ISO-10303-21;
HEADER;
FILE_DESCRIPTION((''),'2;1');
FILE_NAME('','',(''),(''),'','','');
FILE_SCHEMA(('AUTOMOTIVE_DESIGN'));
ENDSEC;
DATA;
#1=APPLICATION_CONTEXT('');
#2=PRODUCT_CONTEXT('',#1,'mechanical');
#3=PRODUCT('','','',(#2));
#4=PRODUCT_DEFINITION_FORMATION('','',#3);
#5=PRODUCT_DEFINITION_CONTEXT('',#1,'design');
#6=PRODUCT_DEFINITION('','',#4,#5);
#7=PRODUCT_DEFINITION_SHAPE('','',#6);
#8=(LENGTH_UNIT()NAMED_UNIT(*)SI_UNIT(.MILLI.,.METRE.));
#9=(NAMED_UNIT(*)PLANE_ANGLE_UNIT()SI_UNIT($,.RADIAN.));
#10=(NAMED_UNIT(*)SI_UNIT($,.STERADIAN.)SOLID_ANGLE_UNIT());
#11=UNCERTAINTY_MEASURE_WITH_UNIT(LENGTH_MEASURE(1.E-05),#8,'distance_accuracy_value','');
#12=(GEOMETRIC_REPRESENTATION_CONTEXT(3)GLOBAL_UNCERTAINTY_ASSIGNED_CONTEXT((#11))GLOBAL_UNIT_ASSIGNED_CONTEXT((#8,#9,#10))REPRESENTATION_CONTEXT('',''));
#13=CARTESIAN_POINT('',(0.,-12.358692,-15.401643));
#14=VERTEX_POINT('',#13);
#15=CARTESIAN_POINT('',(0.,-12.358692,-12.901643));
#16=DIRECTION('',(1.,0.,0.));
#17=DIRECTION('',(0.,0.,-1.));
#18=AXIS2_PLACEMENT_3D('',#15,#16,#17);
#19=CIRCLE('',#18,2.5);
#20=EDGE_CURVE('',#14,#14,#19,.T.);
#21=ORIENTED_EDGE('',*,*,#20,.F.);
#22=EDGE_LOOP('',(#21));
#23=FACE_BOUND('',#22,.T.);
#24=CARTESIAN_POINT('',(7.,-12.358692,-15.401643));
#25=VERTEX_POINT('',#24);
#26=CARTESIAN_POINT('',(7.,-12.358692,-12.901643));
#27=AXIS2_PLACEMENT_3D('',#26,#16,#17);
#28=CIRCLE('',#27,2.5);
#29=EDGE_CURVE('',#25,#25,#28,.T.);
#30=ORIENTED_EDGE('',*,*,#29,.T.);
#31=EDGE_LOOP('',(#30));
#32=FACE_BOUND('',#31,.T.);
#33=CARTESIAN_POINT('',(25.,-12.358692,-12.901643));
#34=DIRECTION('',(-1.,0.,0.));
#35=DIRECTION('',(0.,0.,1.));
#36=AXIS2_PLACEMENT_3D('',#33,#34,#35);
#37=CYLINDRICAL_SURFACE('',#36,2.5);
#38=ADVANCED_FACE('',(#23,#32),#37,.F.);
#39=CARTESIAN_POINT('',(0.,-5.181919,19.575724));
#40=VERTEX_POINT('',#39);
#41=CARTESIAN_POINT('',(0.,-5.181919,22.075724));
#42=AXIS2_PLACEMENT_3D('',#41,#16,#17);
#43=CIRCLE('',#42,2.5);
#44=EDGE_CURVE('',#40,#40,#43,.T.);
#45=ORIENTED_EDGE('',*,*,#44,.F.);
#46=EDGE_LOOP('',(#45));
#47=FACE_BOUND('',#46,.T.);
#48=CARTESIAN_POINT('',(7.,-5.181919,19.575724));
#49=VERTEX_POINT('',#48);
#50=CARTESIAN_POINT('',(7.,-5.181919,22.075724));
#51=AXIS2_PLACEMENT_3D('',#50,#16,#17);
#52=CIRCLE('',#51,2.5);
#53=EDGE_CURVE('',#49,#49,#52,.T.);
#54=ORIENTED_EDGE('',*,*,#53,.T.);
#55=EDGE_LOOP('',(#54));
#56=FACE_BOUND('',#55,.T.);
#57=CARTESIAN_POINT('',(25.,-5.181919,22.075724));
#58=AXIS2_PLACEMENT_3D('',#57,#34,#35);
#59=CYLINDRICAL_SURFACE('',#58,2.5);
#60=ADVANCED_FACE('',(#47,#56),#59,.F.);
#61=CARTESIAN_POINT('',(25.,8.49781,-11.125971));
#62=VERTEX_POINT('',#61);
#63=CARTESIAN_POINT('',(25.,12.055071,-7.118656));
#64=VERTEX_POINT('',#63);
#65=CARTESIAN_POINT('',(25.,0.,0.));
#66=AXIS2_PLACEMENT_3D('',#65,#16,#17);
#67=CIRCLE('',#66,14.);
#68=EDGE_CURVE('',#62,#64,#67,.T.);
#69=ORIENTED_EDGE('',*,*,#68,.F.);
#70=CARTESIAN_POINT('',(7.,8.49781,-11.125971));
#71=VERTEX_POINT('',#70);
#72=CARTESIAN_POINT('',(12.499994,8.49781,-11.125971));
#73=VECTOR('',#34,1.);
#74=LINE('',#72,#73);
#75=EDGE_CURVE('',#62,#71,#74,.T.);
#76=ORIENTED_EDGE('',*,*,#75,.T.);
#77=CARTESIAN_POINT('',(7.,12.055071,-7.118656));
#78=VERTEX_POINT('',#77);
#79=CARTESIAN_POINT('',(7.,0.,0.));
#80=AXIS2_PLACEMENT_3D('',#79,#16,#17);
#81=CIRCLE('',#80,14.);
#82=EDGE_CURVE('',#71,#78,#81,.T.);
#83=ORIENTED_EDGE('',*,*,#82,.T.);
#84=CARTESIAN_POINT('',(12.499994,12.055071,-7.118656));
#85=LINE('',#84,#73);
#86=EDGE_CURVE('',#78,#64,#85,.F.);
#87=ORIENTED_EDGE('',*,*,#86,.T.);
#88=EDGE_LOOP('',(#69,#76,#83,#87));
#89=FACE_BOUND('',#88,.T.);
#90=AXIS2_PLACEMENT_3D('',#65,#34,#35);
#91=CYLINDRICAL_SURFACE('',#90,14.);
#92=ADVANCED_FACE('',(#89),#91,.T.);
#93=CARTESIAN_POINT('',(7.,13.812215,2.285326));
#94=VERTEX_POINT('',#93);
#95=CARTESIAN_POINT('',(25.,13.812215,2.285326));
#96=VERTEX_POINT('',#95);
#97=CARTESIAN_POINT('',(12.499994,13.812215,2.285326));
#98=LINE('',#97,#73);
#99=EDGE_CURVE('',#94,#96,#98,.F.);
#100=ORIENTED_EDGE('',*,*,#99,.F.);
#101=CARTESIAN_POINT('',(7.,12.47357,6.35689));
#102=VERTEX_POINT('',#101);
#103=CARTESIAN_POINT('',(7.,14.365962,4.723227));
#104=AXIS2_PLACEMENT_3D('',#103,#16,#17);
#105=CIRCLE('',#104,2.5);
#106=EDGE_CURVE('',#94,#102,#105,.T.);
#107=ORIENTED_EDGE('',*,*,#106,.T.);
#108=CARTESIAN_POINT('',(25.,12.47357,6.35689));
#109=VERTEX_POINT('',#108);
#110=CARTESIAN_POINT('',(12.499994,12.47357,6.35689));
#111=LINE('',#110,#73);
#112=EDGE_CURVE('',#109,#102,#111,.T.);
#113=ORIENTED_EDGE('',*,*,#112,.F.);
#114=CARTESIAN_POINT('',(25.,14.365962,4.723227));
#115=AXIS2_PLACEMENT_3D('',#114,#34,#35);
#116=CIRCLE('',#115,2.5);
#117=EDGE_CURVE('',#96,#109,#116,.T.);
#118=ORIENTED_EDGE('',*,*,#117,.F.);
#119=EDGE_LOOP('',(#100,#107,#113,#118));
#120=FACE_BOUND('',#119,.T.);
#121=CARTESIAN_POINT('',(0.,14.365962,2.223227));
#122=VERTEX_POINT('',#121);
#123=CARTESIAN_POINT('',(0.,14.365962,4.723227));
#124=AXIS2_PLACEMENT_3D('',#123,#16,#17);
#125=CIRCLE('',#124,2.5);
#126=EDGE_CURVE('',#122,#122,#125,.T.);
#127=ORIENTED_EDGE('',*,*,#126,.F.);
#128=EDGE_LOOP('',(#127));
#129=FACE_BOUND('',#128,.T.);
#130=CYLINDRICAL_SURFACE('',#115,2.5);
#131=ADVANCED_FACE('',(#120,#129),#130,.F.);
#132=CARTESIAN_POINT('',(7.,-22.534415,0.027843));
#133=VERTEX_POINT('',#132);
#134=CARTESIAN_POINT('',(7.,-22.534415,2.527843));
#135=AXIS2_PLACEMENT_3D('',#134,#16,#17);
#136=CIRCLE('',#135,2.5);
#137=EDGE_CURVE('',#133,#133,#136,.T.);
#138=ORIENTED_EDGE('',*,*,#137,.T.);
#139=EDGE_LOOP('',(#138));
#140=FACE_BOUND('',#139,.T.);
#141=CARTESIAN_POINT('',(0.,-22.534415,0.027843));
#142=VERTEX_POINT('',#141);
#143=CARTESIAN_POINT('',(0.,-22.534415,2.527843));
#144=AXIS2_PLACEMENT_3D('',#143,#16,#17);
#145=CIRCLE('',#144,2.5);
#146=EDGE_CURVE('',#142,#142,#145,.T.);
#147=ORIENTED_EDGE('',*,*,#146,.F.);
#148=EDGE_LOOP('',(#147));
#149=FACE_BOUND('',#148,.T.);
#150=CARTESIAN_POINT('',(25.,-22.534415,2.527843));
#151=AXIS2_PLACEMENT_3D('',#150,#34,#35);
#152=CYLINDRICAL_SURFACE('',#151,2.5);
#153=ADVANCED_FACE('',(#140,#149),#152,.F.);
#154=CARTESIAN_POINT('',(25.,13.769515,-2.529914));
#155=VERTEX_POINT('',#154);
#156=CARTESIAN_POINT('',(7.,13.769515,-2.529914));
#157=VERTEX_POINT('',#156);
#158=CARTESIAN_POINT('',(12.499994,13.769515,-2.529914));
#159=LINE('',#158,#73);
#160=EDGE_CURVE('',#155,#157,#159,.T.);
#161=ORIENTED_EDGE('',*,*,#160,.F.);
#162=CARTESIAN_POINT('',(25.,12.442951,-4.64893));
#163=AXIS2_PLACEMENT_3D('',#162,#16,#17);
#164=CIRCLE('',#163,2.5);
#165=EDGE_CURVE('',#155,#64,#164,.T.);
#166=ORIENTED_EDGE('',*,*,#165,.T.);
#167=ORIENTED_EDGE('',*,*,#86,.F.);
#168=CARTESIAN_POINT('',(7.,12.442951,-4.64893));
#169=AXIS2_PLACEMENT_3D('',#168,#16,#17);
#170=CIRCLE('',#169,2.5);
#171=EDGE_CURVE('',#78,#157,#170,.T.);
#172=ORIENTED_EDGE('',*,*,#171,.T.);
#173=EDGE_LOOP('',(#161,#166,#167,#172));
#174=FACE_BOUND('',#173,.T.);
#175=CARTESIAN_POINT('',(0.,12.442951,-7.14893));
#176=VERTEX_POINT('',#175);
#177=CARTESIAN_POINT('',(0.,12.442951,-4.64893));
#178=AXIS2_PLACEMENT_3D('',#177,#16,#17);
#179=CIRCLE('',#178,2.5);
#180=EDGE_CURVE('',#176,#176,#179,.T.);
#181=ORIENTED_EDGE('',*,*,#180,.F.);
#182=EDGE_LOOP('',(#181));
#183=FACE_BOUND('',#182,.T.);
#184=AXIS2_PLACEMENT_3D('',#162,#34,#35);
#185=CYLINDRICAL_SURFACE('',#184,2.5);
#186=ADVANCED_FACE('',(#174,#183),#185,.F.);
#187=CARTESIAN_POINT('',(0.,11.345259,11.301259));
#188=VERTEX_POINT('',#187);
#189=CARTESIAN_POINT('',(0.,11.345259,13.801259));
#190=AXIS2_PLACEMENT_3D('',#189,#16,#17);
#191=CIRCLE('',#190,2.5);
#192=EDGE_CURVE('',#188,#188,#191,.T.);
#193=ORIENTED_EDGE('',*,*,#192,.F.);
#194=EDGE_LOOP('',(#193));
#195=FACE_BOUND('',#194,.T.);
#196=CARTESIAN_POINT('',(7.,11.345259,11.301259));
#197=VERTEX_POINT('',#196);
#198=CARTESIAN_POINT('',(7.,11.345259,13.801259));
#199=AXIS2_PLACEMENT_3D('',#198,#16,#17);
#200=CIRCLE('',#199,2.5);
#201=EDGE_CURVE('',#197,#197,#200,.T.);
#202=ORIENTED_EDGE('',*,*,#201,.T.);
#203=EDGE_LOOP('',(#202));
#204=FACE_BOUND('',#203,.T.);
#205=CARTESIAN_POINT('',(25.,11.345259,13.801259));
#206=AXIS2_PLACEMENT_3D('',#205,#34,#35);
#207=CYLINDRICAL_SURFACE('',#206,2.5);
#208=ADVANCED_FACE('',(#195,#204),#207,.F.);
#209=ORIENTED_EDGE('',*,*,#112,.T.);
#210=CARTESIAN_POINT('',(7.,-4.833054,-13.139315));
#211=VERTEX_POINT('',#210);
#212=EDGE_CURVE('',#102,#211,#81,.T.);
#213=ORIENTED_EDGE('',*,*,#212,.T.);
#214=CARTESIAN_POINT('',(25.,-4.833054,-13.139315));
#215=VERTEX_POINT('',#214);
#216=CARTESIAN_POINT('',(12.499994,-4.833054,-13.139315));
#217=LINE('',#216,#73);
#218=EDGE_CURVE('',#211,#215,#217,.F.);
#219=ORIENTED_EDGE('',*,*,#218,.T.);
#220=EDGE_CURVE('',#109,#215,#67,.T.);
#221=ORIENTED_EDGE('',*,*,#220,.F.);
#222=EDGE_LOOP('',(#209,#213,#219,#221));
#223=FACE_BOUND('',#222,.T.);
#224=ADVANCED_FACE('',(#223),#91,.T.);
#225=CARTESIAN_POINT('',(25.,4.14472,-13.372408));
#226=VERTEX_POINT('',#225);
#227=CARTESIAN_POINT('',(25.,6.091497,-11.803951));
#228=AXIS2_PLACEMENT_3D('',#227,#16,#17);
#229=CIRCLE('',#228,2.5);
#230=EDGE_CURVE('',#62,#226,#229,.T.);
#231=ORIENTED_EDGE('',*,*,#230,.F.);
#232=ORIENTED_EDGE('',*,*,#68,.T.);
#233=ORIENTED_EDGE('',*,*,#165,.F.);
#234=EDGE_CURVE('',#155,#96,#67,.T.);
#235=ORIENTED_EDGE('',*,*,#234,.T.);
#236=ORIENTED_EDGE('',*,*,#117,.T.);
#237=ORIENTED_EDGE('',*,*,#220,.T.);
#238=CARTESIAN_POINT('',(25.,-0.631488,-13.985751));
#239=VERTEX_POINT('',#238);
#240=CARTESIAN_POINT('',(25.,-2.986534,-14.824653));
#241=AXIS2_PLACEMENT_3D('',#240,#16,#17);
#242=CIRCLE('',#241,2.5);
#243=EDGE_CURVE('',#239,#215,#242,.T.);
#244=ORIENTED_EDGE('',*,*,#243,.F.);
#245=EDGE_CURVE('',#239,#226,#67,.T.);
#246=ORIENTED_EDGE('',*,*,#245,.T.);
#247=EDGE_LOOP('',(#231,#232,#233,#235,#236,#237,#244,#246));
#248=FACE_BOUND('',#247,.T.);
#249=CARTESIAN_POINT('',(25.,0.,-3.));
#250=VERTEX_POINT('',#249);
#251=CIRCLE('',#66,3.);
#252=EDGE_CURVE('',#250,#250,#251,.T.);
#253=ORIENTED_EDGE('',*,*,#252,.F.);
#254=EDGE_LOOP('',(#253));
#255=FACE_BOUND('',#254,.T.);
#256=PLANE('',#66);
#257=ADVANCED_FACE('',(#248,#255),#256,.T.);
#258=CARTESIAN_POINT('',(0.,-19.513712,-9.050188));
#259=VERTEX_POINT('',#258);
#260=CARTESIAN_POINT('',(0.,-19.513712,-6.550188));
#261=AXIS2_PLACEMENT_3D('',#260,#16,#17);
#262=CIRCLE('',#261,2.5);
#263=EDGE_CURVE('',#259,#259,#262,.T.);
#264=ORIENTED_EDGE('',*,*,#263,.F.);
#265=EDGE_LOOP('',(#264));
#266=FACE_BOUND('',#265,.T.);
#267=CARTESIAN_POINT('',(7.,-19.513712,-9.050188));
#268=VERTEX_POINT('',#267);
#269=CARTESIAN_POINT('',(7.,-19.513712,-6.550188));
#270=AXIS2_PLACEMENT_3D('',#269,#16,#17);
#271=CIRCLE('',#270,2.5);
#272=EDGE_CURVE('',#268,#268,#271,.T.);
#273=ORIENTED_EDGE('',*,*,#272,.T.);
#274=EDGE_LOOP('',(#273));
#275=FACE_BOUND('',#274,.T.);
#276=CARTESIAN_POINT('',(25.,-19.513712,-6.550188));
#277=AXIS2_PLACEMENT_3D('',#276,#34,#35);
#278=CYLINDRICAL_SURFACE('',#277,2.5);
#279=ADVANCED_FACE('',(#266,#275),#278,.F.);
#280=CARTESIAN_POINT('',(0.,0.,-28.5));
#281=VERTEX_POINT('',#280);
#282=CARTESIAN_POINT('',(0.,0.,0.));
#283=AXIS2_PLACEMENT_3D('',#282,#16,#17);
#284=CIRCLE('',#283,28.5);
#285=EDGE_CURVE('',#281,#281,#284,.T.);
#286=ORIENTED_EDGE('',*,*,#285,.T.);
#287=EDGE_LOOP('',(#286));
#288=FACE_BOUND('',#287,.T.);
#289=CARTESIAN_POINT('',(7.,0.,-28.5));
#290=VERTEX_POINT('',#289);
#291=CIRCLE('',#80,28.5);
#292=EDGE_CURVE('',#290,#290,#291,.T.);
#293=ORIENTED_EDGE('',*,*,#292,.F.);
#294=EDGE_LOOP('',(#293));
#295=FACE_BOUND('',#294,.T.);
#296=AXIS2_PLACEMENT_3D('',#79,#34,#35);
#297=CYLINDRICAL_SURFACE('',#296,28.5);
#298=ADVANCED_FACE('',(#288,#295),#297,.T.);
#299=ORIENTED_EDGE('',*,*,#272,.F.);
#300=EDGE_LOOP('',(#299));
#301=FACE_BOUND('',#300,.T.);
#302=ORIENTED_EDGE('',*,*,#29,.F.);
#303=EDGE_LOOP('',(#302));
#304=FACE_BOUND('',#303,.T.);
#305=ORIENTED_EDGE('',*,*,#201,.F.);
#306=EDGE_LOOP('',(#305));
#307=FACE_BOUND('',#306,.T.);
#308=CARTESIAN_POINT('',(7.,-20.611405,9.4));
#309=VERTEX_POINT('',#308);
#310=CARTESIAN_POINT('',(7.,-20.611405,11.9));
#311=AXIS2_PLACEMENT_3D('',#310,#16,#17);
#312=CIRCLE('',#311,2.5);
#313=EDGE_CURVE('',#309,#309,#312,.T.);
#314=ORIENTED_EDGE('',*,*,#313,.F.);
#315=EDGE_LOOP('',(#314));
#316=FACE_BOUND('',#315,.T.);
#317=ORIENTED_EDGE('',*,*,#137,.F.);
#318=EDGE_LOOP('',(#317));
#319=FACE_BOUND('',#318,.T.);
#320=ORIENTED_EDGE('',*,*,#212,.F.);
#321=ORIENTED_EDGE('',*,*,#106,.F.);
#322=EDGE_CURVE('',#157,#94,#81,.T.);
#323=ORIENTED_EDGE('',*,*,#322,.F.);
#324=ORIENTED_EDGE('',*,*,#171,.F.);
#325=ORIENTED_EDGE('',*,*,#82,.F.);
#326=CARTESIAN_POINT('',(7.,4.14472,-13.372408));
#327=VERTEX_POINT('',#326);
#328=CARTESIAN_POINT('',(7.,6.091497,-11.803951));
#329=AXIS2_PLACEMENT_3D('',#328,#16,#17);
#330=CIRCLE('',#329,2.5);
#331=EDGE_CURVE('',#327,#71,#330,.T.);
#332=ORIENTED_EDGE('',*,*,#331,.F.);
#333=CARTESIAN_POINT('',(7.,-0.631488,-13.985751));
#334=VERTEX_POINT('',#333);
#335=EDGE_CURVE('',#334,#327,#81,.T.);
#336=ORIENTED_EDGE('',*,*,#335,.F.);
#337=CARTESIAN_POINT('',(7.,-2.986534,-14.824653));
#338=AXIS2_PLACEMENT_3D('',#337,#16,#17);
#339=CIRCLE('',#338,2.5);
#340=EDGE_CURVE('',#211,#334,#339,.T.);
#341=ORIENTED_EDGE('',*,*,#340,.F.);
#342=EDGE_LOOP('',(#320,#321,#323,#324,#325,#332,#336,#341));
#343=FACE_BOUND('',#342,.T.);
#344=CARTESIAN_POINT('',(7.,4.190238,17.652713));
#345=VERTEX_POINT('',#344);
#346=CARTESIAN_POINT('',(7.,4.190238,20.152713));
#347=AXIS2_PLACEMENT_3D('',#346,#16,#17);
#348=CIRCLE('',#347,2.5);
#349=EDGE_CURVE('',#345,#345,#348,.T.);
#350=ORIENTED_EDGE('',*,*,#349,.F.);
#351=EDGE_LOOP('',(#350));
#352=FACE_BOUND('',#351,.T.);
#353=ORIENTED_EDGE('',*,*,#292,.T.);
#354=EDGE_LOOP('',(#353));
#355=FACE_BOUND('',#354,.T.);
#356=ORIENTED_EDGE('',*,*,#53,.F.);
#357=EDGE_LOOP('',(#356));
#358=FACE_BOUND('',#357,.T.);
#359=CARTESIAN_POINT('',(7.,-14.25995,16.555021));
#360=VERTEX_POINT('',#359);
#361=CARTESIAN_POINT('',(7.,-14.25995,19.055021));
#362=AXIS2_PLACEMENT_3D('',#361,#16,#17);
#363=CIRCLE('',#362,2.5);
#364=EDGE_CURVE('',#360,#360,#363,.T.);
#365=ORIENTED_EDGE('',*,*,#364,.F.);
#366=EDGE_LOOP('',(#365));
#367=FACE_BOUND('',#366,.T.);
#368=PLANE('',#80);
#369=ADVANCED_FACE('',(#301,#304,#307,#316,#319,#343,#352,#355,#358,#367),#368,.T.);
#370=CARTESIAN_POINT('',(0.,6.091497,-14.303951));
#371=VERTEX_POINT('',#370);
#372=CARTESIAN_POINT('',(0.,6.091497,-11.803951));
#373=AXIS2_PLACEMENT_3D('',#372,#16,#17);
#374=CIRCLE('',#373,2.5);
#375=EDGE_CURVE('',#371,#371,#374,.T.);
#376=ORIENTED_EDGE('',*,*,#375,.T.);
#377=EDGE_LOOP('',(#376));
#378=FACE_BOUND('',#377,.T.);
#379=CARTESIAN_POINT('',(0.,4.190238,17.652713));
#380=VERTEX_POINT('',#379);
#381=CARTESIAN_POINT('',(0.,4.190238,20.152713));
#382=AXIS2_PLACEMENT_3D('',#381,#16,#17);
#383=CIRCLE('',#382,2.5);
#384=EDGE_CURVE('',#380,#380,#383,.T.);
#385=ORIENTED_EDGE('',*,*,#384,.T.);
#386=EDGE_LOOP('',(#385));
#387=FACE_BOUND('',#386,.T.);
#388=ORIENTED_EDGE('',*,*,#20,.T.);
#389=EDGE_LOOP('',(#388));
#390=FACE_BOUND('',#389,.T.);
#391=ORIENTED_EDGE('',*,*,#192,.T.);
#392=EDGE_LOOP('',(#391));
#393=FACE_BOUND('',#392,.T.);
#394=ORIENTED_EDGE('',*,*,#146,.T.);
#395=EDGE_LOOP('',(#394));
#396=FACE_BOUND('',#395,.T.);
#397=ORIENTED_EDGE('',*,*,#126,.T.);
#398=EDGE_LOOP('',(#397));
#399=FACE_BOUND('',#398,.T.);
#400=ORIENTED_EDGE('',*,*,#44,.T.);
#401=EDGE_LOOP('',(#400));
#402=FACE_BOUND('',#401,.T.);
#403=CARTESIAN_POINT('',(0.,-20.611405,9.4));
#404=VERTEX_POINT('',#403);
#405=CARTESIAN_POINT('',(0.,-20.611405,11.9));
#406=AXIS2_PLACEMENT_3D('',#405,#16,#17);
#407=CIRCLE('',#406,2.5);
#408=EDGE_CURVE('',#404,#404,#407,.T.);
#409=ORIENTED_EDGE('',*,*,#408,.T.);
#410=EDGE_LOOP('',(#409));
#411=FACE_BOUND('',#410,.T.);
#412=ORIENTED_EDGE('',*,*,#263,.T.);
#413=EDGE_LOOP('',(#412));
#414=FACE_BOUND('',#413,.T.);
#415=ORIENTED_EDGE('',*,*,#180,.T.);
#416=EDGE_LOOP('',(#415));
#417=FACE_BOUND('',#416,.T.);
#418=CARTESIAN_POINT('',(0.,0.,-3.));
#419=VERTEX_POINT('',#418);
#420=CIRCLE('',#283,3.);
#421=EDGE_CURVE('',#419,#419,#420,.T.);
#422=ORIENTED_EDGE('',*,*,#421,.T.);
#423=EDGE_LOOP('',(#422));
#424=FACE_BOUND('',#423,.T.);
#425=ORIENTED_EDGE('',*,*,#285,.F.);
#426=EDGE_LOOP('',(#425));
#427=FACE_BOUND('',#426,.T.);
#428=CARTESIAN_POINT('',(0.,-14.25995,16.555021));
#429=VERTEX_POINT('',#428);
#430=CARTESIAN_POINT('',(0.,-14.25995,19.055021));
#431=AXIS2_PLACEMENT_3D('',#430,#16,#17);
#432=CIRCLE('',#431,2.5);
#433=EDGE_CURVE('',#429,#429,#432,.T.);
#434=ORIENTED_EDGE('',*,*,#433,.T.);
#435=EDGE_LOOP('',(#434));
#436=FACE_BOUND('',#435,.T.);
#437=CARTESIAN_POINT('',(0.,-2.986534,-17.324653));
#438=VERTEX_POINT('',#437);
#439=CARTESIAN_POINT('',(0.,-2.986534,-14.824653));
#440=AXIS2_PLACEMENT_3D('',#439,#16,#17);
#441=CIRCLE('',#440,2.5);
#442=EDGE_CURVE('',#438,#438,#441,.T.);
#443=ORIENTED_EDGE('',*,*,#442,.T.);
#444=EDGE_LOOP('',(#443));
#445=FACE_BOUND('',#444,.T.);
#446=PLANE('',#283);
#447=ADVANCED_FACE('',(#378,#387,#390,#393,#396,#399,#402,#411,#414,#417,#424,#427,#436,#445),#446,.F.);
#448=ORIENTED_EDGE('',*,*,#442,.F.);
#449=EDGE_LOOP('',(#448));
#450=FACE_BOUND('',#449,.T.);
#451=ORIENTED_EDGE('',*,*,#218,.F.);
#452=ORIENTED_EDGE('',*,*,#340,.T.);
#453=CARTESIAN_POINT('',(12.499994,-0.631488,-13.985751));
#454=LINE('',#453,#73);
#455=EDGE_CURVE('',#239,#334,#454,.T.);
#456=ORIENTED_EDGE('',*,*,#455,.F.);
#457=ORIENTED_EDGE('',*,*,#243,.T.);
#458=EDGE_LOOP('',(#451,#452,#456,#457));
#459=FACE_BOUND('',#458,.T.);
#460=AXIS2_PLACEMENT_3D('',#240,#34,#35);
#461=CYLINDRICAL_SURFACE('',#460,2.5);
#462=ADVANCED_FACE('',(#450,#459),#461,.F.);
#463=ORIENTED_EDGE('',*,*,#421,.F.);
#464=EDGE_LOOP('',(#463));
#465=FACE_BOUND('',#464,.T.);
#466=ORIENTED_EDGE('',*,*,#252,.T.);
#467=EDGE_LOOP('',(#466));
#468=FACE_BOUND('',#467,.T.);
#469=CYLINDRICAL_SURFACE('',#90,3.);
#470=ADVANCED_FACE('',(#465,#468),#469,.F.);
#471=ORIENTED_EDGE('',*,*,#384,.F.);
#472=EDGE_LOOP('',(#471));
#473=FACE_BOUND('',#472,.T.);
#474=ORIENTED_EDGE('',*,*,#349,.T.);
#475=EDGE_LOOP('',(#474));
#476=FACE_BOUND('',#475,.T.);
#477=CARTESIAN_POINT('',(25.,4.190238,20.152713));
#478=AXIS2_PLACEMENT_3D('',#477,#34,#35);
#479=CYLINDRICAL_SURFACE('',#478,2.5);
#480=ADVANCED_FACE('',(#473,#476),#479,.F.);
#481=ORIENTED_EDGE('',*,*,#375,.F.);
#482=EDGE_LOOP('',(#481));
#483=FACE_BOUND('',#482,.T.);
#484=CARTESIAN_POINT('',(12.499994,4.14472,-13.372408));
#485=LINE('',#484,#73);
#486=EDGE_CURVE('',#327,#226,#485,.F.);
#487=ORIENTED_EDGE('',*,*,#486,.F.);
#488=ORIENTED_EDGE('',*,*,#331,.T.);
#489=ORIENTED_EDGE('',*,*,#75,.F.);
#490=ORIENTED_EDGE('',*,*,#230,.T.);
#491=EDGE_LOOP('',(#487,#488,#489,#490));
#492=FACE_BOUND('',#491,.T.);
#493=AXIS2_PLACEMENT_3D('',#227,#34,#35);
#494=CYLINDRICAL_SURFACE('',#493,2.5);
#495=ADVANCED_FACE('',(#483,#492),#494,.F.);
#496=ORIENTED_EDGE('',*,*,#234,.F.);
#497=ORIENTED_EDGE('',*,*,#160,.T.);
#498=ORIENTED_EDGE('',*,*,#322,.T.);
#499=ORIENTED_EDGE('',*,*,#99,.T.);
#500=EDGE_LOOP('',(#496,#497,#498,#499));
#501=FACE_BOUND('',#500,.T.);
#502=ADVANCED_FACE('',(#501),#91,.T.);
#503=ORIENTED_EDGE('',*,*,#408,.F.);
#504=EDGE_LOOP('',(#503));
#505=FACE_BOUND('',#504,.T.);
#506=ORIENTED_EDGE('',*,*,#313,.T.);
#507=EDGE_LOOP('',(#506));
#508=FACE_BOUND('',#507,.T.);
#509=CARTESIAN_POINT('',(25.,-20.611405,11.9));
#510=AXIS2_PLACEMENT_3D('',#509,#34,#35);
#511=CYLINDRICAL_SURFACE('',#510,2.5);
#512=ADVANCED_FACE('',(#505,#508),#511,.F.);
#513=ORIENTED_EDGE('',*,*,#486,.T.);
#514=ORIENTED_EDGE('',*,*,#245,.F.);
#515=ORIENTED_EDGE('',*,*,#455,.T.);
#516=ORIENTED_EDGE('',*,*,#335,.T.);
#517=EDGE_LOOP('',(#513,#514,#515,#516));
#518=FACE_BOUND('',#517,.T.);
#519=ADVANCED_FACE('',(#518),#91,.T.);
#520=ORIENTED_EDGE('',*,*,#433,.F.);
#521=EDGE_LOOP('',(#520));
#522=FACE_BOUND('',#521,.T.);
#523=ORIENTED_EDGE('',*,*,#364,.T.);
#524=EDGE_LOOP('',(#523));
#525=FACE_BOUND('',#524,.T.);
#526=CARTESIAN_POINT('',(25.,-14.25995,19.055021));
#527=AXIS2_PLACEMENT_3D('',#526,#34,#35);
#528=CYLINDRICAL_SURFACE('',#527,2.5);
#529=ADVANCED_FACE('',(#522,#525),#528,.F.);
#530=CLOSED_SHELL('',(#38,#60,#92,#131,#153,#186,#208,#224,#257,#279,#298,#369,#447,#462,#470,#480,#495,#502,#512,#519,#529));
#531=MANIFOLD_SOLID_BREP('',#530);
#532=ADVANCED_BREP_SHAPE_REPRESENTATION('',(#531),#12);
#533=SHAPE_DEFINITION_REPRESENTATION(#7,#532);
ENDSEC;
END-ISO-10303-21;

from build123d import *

# Parameters (mm, degrees)
SKETCH1_R               = 28.5
SKETCH1_R_2             = 14
BOSS_EXTRUDE1_DEPTH     = 7
SKETCH1_4_R             = 14
SKETCH1_4_R_2           = 3
BOSS_EXTRUDE2_DEPTH     = 25
SKETCH3_R               = 2.5
CUT_EXTRUDE1_DEPTH      = 1
CUT_EXTRUDE1_DEPTH_BACK = 26


with BuildPart() as part:
    # Sketch1 → Boss-Extrude1 (new body)
    with BuildSketch(Plane(origin=(0, 0, 0), x_dir=(0, 0, -1), z_dir=(1, 0, 0))):
        Circle(SKETCH1_R)
        Circle(SKETCH1_R_2, mode=Mode.SUBTRACT)
    extrude(amount=BOSS_EXTRUDE1_DEPTH)

    # Sketch1<4> → Boss-Extrude2 (add)
    with BuildSketch(Plane(origin=(0, 0, 0), x_dir=(0, 0, -1), z_dir=(1, 0, 0))):
        Circle(SKETCH1_4_R)
        Circle(SKETCH1_4_R_2, mode=Mode.SUBTRACT)
    extrude(amount=BOSS_EXTRUDE2_DEPTH)

    # Sketch3 → Cut-Extrude1 (cut, two sides)
    with BuildSketch(Plane.ZY) as cut_extrude1_sk:
        with Locations((19.055020887, -14.259950175)):
            Circle(SKETCH3_R)
        with Locations((11.9, -20.61140461)):
            Circle(SKETCH3_R)
        with Locations((2.52784293, -22.534415058)):
            Circle(SKETCH3_R)
        with Locations((-6.550188406, -19.513712423)):
            Circle(SKETCH3_R)
        with Locations((-12.901642841, -12.358691536)):
            Circle(SKETCH3_R)
        with Locations((-14.824653289, -2.986534466)):
            Circle(SKETCH3_R)
        with Locations((-11.803950653, 6.09149687)):
            Circle(SKETCH3_R)
        with Locations((-4.648929766, 12.442951305)):
            Circle(SKETCH3_R)
        with Locations((4.723227304, 14.365961753)):
            Circle(SKETCH3_R)
        with Locations((13.801258639, 11.345259118)):
            Circle(SKETCH3_R)
        with Locations((20.152713074, 4.19023823)):
            Circle(SKETCH3_R)
        with Locations((22.075723522, -5.18191884)):
            Circle(SKETCH3_R)
    extrude(amount=CUT_EXTRUDE1_DEPTH, mode=Mode.SUBTRACT)
    extrude(cut_extrude1_sk.sketch, amount=-CUT_EXTRUDE1_DEPTH_BACK, mode=Mode.SUBTRACT)


solid = part.part
